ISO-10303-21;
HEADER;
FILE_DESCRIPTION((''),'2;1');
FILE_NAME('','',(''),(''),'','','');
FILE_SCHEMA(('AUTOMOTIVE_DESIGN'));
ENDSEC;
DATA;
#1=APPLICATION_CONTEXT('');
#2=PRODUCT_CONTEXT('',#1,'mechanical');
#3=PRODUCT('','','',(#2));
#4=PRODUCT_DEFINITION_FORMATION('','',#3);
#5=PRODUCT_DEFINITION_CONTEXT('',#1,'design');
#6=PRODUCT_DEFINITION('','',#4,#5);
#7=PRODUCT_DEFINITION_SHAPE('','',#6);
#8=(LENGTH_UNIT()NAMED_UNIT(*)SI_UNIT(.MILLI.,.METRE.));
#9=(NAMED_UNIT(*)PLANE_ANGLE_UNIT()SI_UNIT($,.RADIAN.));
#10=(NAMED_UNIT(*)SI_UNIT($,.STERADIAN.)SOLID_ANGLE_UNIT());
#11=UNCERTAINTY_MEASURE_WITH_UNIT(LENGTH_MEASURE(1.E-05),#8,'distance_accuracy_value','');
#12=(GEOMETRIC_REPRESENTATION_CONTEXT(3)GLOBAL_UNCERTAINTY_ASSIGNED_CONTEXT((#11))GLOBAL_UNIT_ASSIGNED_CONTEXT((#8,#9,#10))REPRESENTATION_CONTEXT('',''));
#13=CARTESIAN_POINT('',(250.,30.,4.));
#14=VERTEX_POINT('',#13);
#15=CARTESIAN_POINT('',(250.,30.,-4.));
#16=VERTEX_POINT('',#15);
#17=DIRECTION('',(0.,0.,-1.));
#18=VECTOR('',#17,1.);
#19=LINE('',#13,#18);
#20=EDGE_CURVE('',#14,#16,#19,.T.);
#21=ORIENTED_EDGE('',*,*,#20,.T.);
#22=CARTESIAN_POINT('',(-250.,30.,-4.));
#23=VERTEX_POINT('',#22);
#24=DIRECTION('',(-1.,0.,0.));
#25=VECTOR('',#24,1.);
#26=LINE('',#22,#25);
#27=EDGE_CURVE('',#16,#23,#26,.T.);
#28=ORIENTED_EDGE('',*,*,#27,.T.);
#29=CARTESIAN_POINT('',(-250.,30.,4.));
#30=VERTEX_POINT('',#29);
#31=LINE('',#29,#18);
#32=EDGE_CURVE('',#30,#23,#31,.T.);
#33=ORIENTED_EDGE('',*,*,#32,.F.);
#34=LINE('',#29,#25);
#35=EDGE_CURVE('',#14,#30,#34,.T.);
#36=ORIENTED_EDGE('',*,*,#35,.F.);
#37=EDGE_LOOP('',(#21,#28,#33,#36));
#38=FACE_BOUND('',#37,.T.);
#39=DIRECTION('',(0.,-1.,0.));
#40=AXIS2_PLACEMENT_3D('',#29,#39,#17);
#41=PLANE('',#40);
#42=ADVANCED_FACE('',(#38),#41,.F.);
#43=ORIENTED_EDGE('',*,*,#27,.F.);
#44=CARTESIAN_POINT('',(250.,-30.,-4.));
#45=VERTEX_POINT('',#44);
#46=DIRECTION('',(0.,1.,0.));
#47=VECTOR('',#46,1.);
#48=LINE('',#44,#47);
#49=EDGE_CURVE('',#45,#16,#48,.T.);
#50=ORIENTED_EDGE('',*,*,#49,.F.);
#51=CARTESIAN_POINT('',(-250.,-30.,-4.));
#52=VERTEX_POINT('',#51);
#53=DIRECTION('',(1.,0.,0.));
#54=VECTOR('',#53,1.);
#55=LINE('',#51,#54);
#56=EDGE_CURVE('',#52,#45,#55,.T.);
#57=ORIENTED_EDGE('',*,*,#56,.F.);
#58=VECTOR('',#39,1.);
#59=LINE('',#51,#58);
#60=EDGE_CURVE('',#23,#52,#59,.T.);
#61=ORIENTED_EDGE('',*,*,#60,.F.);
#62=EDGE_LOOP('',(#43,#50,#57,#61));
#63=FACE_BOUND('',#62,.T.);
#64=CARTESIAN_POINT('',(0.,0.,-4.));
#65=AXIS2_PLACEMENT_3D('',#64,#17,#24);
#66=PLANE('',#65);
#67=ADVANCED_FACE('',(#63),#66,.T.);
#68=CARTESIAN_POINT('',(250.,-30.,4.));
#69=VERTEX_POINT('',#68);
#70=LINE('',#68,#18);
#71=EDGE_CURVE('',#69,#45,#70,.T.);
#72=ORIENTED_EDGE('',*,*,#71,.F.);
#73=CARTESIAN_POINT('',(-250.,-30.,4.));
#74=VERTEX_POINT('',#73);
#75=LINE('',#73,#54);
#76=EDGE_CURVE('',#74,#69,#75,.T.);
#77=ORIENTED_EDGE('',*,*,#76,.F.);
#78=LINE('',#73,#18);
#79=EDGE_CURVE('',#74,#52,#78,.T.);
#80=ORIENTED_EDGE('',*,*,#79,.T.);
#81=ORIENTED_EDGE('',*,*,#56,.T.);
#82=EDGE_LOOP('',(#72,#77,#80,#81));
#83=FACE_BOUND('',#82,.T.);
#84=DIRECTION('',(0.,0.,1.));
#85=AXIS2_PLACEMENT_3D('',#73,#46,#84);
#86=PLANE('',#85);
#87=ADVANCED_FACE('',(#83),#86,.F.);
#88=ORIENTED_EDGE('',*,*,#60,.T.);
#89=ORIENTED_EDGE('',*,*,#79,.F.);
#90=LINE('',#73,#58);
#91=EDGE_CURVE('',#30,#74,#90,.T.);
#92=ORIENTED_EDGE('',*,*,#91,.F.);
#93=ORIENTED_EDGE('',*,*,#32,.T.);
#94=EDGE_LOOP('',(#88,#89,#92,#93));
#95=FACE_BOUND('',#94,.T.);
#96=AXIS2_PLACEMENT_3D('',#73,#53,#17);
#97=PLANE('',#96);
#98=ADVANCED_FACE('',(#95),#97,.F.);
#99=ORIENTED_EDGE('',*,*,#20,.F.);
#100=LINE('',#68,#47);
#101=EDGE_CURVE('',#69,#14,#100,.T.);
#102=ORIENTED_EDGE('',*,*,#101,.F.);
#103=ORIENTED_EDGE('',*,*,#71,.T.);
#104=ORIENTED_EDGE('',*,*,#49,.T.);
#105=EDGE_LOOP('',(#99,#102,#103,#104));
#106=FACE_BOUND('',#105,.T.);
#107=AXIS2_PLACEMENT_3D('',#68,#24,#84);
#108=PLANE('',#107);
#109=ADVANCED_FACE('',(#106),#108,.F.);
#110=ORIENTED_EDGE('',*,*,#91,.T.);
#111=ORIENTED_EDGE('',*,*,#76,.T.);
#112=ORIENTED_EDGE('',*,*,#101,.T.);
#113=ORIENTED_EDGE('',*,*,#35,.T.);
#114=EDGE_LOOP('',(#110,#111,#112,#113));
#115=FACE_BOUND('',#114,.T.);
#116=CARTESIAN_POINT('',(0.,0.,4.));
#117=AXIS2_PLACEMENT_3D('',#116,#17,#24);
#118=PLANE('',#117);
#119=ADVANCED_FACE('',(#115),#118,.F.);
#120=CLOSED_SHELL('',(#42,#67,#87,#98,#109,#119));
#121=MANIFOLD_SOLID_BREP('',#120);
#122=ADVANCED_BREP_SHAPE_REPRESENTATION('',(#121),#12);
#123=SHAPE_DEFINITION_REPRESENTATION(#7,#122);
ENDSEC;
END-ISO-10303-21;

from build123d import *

# Parameters (mm, degrees)
SKETCH1_W           = 500
SKETCH1_H           = 60
BOSS_EXTRUDE1_DEPTH = 4


with BuildPart() as part:
    # Sketch1 → Boss-Extrude1 (new body, symmetric)
    with BuildSketch(Plane.XY):
        Rectangle(SKETCH1_W, SKETCH1_H)
    extrude(amount=BOSS_EXTRUDE1_DEPTH, both=True)


solid = part.part
